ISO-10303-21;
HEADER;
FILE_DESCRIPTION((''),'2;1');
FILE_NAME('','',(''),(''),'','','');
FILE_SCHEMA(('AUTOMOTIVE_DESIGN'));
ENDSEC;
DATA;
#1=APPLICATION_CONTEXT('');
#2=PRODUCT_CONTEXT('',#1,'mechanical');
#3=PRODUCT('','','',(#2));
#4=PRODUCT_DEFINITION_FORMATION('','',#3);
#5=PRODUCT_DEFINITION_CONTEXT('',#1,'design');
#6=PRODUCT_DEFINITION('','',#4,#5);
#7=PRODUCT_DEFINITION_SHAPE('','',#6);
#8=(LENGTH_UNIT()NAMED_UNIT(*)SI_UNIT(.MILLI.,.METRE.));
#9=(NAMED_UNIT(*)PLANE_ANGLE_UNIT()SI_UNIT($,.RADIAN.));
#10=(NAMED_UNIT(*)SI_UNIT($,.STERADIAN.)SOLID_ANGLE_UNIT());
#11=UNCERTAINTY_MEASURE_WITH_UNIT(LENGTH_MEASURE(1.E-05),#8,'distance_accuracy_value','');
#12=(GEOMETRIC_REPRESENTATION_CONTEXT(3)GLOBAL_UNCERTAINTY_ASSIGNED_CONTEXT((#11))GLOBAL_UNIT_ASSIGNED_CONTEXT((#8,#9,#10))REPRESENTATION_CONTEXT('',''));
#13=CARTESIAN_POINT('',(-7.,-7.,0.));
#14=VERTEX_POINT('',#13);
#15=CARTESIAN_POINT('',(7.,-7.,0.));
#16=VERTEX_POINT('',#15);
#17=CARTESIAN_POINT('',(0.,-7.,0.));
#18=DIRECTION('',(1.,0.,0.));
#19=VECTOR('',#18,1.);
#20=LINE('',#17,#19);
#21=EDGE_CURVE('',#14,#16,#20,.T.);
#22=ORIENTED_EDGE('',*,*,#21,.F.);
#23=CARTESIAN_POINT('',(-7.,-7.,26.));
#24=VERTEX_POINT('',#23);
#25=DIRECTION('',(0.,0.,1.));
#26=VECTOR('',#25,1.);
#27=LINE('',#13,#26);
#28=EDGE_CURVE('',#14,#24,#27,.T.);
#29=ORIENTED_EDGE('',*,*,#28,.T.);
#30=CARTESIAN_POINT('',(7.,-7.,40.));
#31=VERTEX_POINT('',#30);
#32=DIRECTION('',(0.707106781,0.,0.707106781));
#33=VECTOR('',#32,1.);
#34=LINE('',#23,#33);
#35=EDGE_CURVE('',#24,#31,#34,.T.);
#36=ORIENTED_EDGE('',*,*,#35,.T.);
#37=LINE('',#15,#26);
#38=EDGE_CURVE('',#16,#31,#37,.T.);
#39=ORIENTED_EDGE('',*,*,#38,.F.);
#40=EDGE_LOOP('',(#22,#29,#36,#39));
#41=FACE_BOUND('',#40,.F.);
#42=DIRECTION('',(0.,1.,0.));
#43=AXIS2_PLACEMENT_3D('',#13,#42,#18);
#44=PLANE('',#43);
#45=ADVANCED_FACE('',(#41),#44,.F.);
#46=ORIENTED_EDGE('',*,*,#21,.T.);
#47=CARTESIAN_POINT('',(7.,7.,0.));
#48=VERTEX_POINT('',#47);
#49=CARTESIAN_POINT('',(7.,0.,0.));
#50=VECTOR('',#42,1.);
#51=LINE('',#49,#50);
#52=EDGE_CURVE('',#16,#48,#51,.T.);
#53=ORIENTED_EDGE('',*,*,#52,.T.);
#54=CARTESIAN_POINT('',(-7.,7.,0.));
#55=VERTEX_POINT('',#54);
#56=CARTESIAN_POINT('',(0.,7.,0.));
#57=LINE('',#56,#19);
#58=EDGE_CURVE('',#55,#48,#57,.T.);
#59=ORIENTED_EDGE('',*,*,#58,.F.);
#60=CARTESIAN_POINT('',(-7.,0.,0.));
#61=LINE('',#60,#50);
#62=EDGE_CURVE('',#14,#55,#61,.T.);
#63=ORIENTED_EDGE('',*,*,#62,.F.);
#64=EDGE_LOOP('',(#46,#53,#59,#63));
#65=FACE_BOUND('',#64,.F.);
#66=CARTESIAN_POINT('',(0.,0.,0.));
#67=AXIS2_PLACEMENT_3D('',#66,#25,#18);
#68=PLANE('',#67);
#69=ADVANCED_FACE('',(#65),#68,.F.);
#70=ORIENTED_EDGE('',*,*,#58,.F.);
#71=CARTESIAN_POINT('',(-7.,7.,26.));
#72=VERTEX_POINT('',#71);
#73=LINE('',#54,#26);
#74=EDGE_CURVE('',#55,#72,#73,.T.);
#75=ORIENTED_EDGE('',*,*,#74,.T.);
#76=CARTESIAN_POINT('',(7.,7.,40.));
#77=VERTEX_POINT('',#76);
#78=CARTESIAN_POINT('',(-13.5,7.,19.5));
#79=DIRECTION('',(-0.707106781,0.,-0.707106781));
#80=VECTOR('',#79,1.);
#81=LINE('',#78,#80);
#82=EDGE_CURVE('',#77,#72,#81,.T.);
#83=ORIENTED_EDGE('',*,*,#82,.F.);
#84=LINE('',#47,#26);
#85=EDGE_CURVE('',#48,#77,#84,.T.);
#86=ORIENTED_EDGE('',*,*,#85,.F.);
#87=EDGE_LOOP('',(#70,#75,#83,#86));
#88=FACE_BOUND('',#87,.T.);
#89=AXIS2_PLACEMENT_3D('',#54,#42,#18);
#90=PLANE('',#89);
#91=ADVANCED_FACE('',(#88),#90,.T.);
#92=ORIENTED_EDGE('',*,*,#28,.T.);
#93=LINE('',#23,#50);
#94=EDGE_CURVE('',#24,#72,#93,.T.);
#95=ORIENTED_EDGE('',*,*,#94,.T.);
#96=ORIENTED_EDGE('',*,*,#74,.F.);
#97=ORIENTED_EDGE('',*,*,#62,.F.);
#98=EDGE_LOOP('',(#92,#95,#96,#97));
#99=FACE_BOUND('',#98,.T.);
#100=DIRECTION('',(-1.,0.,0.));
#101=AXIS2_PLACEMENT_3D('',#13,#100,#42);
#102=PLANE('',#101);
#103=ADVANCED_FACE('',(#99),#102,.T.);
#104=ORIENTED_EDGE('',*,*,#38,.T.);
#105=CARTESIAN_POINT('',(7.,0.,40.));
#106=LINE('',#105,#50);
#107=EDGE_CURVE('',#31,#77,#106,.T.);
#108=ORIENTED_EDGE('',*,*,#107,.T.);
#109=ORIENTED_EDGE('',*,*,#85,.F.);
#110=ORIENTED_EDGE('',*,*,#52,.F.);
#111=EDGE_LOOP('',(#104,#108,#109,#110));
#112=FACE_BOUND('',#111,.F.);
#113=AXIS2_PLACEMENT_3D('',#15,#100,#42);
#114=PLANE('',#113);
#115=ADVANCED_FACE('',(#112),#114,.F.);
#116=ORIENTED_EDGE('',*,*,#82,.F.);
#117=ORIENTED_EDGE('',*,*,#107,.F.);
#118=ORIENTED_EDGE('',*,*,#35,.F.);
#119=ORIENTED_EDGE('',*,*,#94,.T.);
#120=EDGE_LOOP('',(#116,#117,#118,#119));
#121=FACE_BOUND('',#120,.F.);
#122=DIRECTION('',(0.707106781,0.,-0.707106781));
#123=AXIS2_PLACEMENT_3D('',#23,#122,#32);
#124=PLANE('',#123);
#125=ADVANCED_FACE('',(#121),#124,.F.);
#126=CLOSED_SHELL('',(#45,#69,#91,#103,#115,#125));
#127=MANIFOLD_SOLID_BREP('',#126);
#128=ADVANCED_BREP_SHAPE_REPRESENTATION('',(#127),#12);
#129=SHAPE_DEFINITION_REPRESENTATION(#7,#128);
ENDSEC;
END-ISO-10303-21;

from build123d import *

# Parameters (mm, degrees)
F0_W     = 14
F0_H     = 14
F1_DEPTH = 40
F3_DEPTH = 25


with BuildPart() as f1:
    # F0 (on Top) → F1 (new body)
    with BuildSketch(Plane.XY):
        Rectangle(F0_W, F0_H)
    extrude(amount=F1_DEPTH)

    # F2 (on face) → F3 (cut)
    with BuildSketch(Plane.XZ.offset(7)):
        Polygon((-7, 26), (7, 40), (-7, 40), align=None)
    extrude(amount=-F3_DEPTH, mode=Mode.SUBTRACT)


solid = f1.part
